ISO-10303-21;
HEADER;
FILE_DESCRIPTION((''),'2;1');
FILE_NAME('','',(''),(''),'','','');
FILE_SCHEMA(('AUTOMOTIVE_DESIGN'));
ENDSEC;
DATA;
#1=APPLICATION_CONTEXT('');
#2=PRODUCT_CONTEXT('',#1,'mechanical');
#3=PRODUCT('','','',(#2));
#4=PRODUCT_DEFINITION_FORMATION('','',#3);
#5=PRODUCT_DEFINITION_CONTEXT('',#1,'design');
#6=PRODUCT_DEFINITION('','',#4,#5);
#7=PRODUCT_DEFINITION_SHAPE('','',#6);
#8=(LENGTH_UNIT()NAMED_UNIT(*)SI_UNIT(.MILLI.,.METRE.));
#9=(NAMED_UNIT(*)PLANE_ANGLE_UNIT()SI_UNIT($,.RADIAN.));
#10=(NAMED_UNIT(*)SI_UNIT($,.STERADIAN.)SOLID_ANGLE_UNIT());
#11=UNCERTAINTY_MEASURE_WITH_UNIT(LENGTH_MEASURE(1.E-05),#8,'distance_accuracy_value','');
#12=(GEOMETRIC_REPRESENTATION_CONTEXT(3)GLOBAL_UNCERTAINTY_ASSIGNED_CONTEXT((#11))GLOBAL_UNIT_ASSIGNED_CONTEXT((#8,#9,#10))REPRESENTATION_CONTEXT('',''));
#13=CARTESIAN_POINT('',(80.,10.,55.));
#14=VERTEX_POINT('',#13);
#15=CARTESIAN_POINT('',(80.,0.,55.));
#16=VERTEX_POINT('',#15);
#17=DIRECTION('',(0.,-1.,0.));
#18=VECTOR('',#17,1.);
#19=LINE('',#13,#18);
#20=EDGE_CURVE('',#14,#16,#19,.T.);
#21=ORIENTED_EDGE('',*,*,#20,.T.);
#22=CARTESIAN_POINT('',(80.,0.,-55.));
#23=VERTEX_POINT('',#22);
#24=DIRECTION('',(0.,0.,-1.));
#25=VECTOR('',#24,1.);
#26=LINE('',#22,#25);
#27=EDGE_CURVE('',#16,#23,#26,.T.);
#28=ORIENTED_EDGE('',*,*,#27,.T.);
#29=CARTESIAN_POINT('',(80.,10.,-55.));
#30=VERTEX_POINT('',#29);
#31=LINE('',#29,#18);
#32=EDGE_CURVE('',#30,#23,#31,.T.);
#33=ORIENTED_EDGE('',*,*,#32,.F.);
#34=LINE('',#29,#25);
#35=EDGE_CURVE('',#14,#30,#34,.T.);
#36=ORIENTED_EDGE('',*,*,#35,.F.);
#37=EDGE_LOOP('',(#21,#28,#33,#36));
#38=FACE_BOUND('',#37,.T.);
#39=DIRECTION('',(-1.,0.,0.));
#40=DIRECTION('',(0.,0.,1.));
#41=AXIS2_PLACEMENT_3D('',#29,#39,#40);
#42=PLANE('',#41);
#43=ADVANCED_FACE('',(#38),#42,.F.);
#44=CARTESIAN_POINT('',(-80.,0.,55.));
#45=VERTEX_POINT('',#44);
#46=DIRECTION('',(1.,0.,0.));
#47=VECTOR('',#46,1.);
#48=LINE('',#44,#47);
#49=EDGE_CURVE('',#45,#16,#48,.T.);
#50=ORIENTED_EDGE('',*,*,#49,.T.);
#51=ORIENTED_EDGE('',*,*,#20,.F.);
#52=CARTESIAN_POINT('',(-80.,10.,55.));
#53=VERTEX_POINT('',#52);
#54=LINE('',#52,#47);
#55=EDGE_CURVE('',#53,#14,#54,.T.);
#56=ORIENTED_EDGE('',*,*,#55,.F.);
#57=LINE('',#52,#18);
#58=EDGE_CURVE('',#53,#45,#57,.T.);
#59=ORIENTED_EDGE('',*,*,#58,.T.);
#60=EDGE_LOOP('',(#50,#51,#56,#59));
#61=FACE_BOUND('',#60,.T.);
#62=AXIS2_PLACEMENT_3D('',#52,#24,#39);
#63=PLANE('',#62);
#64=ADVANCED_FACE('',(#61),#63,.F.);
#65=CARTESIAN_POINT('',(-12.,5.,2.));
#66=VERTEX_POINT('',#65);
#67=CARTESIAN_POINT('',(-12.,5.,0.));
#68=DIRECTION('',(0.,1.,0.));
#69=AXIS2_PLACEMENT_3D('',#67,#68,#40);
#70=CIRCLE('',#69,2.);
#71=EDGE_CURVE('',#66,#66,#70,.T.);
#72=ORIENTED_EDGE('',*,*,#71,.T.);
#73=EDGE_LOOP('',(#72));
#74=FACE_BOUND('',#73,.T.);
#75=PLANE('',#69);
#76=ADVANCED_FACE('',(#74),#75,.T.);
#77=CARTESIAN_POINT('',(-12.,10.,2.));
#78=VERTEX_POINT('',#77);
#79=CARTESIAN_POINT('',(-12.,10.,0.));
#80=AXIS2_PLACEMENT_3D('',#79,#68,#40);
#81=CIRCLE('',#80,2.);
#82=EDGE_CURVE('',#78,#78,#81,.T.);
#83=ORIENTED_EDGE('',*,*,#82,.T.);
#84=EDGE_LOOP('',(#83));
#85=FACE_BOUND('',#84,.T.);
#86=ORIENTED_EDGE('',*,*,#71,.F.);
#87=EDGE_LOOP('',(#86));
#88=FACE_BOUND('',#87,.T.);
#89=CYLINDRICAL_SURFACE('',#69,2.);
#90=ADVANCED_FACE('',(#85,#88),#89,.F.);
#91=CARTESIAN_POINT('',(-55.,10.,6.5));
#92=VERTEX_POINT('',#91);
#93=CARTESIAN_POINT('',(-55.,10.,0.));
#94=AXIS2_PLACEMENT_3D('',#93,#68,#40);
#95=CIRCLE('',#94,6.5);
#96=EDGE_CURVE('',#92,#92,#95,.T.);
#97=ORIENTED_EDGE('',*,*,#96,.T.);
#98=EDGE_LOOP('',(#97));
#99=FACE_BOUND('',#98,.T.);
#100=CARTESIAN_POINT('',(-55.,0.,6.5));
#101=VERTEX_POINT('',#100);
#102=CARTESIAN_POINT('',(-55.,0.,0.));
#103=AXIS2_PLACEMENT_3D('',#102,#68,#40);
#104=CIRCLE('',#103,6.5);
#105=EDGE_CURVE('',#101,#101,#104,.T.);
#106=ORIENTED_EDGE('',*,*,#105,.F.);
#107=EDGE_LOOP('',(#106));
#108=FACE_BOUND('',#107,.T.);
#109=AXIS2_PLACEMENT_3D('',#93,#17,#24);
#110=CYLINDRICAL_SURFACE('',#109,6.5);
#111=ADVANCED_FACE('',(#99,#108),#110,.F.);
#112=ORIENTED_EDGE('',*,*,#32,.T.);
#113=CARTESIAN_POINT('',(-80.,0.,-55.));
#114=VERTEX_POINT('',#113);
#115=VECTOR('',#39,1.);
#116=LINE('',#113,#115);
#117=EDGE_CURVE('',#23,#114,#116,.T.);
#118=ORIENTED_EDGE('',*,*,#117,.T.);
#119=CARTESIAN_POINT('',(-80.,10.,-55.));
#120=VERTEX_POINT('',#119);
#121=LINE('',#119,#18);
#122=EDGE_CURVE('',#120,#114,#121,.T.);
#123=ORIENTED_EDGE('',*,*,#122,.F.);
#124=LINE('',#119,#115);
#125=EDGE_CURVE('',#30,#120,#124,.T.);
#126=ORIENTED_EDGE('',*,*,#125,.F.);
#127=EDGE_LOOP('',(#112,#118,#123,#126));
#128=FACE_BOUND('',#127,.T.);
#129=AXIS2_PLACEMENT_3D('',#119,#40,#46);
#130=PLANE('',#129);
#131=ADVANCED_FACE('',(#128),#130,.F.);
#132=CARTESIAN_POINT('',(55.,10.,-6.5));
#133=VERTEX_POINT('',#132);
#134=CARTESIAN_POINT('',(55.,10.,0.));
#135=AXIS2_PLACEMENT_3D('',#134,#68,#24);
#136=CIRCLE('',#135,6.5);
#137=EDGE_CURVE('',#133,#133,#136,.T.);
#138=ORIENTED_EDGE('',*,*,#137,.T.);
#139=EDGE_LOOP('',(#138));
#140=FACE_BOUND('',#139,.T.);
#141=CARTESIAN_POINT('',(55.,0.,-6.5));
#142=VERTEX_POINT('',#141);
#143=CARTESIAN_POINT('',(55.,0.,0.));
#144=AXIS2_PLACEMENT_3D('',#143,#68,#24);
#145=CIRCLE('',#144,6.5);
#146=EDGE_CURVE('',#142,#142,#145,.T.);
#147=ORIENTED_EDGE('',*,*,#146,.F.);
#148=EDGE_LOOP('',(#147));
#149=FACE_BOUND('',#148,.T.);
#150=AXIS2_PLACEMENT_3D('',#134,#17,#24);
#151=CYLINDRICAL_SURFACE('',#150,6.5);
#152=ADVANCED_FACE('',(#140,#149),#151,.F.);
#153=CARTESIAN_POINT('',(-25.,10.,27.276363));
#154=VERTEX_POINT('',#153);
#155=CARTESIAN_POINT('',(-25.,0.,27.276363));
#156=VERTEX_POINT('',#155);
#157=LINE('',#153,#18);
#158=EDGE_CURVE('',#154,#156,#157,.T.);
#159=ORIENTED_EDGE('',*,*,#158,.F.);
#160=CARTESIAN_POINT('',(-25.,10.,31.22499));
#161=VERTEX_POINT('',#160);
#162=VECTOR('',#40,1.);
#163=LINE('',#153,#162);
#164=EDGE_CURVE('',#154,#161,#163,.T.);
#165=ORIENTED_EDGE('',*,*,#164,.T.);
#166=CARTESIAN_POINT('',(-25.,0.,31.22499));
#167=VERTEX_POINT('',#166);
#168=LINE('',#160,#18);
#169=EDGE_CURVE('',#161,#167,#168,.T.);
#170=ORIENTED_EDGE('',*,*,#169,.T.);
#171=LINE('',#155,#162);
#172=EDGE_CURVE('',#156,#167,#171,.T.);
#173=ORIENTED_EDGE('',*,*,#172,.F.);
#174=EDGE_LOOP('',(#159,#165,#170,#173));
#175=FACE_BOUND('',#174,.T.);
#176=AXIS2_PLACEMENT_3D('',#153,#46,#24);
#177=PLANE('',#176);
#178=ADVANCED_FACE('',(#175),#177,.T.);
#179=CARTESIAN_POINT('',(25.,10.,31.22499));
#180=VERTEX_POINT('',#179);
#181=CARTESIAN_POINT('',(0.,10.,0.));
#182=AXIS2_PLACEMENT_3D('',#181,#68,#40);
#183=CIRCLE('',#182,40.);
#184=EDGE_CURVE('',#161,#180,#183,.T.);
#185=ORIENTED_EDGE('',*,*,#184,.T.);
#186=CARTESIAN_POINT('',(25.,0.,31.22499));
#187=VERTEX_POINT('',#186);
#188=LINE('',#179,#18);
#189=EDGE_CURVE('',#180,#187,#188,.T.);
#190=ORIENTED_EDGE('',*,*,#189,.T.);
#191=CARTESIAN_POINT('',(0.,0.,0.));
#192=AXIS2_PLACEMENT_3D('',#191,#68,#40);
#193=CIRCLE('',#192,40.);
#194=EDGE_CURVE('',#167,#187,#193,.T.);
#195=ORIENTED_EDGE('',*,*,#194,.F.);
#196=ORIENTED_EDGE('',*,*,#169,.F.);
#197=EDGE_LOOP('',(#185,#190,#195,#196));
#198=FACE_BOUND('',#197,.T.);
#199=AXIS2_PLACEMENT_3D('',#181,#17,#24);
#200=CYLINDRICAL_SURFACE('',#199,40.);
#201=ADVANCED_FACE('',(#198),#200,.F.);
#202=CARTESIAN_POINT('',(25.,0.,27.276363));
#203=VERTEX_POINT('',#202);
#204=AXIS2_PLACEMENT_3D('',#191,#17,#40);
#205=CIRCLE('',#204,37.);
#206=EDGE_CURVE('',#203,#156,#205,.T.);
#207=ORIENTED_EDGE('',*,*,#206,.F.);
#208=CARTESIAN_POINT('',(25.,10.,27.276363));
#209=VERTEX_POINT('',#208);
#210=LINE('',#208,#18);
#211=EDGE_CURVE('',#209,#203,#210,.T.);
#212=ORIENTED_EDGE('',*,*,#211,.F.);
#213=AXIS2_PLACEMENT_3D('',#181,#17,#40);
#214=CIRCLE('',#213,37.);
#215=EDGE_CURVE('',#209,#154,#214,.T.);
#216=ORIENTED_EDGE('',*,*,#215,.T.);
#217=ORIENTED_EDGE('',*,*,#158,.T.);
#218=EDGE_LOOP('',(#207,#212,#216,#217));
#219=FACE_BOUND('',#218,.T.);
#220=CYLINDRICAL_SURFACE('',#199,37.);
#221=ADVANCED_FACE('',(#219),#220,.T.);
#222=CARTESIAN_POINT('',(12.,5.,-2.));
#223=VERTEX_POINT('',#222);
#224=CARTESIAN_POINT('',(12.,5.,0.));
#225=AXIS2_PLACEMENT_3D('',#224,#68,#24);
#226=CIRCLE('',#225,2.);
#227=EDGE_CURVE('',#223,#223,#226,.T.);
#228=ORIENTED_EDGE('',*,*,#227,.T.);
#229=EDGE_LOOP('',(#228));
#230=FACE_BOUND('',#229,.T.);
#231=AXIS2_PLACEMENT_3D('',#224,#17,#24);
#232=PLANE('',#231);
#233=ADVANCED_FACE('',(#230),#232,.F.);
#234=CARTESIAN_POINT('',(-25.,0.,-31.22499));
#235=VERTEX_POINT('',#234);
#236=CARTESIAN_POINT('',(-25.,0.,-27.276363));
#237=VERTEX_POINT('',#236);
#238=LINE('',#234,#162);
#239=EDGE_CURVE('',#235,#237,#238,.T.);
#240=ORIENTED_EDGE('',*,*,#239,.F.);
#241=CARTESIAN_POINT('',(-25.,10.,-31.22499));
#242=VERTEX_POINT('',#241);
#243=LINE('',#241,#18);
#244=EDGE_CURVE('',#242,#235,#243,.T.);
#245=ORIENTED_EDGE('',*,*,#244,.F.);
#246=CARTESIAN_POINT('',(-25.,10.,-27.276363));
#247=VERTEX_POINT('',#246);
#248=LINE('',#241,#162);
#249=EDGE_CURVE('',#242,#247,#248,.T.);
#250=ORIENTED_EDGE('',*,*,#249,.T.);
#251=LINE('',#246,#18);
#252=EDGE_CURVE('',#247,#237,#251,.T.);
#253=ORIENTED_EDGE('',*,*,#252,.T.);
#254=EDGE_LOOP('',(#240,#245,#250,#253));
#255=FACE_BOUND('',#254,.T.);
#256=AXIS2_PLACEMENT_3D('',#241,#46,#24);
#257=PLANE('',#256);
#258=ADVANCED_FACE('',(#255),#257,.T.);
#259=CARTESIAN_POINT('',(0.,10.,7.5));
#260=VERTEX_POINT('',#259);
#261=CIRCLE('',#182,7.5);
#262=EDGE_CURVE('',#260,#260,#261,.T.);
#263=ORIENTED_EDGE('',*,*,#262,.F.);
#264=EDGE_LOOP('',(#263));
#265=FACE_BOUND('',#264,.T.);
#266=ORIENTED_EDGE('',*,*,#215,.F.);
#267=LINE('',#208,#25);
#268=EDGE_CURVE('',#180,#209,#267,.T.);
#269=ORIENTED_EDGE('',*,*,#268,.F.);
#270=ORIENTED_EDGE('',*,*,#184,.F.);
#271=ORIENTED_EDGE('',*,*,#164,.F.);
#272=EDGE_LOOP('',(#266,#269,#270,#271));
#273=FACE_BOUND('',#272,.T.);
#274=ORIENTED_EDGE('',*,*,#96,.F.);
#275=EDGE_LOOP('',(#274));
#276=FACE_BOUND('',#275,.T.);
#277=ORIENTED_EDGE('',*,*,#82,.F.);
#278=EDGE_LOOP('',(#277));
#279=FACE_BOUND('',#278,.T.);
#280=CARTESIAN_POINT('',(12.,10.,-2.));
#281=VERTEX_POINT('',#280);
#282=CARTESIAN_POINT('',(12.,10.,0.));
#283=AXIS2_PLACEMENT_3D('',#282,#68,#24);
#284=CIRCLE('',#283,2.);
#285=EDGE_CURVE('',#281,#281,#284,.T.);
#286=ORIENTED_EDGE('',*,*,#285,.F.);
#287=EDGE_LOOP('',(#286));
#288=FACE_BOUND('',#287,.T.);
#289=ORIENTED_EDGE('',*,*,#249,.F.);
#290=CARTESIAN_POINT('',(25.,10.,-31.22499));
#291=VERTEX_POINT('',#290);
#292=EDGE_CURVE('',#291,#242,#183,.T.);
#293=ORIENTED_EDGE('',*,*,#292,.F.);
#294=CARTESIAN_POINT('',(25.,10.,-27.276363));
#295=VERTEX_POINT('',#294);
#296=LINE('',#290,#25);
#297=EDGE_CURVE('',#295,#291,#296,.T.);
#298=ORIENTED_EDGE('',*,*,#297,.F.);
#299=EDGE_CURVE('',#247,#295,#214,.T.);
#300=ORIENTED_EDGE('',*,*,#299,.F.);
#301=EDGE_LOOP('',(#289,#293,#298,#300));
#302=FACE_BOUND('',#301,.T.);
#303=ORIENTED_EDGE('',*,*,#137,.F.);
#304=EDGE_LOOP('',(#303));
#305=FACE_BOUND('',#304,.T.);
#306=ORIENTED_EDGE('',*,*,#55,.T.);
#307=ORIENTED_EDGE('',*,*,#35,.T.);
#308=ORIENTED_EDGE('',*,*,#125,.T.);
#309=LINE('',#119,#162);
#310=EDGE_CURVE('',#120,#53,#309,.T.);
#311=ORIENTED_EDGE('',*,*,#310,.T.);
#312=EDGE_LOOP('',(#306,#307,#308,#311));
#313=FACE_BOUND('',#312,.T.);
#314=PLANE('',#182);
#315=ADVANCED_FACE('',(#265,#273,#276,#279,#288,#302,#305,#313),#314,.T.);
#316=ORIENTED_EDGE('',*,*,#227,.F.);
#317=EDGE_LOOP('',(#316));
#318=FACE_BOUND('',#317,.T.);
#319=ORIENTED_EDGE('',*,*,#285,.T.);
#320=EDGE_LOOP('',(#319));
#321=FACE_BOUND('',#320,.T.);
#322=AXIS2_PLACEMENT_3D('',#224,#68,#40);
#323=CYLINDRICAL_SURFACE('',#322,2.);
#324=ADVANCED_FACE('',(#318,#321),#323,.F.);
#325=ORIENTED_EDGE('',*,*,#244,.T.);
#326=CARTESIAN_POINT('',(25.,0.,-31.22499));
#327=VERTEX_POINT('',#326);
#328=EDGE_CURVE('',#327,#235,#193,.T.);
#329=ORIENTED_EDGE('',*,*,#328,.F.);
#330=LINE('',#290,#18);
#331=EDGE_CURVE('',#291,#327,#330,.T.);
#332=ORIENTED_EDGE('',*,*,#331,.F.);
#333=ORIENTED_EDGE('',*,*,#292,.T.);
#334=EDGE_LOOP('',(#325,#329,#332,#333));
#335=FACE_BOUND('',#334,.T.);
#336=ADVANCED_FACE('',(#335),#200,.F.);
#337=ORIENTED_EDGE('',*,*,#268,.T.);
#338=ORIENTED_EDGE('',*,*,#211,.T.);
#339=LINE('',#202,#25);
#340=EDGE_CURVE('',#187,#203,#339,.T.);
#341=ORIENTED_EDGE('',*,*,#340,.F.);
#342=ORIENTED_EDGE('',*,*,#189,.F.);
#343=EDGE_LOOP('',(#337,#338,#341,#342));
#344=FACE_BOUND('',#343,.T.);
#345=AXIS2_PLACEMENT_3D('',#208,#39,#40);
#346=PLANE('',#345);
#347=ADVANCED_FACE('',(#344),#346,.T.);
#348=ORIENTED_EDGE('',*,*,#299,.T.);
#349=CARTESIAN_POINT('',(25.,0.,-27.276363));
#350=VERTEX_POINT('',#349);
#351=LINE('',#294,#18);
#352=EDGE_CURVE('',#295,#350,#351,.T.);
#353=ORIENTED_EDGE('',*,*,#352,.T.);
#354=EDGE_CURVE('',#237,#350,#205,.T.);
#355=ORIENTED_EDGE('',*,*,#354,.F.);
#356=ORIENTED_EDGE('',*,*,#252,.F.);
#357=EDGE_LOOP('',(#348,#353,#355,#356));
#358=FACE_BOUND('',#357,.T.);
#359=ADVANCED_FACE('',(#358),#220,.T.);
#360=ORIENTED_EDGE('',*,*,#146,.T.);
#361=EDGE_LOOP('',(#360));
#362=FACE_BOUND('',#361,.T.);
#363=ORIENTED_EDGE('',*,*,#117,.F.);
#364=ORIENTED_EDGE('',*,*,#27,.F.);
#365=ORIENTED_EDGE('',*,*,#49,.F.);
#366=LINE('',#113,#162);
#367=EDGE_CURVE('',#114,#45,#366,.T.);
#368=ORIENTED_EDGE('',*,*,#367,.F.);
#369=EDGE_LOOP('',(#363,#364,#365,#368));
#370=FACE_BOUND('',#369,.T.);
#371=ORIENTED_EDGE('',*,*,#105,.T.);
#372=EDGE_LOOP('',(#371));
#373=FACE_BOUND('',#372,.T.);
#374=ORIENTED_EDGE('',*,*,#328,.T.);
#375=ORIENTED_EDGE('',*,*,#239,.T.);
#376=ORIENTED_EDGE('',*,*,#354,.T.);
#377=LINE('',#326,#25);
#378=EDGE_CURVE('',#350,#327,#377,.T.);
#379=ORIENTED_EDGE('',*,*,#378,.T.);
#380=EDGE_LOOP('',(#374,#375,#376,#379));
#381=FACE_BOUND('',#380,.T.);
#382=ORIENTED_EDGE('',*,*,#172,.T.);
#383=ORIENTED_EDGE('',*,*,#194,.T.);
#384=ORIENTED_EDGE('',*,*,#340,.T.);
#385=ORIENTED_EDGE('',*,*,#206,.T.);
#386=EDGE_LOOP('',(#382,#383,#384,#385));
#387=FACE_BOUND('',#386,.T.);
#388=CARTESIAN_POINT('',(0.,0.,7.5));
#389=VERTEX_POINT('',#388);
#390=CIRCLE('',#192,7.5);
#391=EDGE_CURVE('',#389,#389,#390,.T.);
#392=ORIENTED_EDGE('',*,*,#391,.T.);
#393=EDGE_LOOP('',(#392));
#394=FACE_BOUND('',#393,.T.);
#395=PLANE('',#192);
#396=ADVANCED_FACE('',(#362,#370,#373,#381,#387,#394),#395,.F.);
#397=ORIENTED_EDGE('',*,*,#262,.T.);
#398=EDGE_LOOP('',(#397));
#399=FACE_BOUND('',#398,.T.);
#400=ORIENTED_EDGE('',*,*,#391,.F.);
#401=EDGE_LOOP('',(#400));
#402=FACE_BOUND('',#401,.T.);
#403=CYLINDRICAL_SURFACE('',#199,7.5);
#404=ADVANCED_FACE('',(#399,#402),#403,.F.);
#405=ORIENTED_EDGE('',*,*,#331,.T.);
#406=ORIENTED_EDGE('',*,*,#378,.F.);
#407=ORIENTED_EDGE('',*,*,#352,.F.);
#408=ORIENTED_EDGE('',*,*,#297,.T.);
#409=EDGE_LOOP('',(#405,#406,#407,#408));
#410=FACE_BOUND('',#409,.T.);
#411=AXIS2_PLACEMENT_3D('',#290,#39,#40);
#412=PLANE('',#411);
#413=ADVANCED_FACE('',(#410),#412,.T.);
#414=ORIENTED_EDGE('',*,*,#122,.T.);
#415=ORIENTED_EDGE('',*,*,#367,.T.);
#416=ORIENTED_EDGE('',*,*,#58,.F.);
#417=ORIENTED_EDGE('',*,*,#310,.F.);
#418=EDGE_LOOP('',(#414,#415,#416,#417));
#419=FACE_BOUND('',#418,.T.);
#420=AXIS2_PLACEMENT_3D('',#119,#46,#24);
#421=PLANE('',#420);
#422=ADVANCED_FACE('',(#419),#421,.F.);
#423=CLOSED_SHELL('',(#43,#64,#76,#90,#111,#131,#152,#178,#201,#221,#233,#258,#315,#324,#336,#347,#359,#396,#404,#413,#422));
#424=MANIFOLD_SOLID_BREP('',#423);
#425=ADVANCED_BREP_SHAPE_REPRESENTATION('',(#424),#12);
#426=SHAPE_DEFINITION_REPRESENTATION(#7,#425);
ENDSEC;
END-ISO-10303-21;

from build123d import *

# Parameters (mm, degrees)
SKETCH1_W           = 160
SKETCH1_H           = 110
SKETCH1_R           = 6.5
SKETCH1_R_2         = 7.5
BOSS_EXTRUDE1_DEPTH = 10
SKETCH2_R           = 2
CUT_EXTRUDE1_DEPTH  = 5


with BuildPart() as part:
    # Sketch1 → Boss-Extrude1 (new body)
    with BuildSketch(Plane(origin=(0, 0, 0), x_dir=(1, 0, 0), z_dir=(0, 1, 0))):
        Rectangle(SKETCH1_W, SKETCH1_H)
        with Locations(Location((-55, 0, 0), (0, 0, 270))):
            Circle(SKETCH1_R, mode=Mode.SUBTRACT)
        with Locations(Location((55, 0, 0), (0, 0, 90))):
            Circle(SKETCH1_R, mode=Mode.SUBTRACT)
        with Locations(Location((0, 0, 0), (0, 0, 270))):
            Circle(SKETCH1_R_2, mode=Mode.SUBTRACT)
        with BuildLine():
            Line((-25, 31.224989992), (-25, 27.276363394))
            ThreePointArc((-25, 27.276363394), (0, 37), (25, 27.276363394))
            Line((25, 27.276363394), (25, 31.224989992))
            ThreePointArc((25, 31.224989992), (0, 40), (-25, 31.224989992))
        make_face(mode=Mode.SUBTRACT)
        with BuildLine():
            Line((-25, -27.276363394), (-25, -31.224989992))
            ThreePointArc((-25, -31.224989992), (0, -40), (25, -31.224989992))
            Line((25, -31.224989992), (25, -27.276363394))
            ThreePointArc((25, -27.276363394), (0, -37), (-25, -27.276363394))
        make_face(mode=Mode.SUBTRACT)
    extrude(amount=BOSS_EXTRUDE1_DEPTH)

    # Sketch2 → Cut-Extrude1 (cut)
    with BuildSketch(Plane(origin=(0, 10, 0), x_dir=(1, 0, 0), z_dir=(0, 1, 0))):
        with Locations(Location((-12, 0, 0), (0, 0, 270))):
            Circle(SKETCH2_R)
        with Locations(Location((12, 0, 0), (0, 0, 90))):
            Circle(SKETCH2_R)
    extrude(amount=-CUT_EXTRUDE1_DEPTH, mode=Mode.SUBTRACT)


solid = part.part
